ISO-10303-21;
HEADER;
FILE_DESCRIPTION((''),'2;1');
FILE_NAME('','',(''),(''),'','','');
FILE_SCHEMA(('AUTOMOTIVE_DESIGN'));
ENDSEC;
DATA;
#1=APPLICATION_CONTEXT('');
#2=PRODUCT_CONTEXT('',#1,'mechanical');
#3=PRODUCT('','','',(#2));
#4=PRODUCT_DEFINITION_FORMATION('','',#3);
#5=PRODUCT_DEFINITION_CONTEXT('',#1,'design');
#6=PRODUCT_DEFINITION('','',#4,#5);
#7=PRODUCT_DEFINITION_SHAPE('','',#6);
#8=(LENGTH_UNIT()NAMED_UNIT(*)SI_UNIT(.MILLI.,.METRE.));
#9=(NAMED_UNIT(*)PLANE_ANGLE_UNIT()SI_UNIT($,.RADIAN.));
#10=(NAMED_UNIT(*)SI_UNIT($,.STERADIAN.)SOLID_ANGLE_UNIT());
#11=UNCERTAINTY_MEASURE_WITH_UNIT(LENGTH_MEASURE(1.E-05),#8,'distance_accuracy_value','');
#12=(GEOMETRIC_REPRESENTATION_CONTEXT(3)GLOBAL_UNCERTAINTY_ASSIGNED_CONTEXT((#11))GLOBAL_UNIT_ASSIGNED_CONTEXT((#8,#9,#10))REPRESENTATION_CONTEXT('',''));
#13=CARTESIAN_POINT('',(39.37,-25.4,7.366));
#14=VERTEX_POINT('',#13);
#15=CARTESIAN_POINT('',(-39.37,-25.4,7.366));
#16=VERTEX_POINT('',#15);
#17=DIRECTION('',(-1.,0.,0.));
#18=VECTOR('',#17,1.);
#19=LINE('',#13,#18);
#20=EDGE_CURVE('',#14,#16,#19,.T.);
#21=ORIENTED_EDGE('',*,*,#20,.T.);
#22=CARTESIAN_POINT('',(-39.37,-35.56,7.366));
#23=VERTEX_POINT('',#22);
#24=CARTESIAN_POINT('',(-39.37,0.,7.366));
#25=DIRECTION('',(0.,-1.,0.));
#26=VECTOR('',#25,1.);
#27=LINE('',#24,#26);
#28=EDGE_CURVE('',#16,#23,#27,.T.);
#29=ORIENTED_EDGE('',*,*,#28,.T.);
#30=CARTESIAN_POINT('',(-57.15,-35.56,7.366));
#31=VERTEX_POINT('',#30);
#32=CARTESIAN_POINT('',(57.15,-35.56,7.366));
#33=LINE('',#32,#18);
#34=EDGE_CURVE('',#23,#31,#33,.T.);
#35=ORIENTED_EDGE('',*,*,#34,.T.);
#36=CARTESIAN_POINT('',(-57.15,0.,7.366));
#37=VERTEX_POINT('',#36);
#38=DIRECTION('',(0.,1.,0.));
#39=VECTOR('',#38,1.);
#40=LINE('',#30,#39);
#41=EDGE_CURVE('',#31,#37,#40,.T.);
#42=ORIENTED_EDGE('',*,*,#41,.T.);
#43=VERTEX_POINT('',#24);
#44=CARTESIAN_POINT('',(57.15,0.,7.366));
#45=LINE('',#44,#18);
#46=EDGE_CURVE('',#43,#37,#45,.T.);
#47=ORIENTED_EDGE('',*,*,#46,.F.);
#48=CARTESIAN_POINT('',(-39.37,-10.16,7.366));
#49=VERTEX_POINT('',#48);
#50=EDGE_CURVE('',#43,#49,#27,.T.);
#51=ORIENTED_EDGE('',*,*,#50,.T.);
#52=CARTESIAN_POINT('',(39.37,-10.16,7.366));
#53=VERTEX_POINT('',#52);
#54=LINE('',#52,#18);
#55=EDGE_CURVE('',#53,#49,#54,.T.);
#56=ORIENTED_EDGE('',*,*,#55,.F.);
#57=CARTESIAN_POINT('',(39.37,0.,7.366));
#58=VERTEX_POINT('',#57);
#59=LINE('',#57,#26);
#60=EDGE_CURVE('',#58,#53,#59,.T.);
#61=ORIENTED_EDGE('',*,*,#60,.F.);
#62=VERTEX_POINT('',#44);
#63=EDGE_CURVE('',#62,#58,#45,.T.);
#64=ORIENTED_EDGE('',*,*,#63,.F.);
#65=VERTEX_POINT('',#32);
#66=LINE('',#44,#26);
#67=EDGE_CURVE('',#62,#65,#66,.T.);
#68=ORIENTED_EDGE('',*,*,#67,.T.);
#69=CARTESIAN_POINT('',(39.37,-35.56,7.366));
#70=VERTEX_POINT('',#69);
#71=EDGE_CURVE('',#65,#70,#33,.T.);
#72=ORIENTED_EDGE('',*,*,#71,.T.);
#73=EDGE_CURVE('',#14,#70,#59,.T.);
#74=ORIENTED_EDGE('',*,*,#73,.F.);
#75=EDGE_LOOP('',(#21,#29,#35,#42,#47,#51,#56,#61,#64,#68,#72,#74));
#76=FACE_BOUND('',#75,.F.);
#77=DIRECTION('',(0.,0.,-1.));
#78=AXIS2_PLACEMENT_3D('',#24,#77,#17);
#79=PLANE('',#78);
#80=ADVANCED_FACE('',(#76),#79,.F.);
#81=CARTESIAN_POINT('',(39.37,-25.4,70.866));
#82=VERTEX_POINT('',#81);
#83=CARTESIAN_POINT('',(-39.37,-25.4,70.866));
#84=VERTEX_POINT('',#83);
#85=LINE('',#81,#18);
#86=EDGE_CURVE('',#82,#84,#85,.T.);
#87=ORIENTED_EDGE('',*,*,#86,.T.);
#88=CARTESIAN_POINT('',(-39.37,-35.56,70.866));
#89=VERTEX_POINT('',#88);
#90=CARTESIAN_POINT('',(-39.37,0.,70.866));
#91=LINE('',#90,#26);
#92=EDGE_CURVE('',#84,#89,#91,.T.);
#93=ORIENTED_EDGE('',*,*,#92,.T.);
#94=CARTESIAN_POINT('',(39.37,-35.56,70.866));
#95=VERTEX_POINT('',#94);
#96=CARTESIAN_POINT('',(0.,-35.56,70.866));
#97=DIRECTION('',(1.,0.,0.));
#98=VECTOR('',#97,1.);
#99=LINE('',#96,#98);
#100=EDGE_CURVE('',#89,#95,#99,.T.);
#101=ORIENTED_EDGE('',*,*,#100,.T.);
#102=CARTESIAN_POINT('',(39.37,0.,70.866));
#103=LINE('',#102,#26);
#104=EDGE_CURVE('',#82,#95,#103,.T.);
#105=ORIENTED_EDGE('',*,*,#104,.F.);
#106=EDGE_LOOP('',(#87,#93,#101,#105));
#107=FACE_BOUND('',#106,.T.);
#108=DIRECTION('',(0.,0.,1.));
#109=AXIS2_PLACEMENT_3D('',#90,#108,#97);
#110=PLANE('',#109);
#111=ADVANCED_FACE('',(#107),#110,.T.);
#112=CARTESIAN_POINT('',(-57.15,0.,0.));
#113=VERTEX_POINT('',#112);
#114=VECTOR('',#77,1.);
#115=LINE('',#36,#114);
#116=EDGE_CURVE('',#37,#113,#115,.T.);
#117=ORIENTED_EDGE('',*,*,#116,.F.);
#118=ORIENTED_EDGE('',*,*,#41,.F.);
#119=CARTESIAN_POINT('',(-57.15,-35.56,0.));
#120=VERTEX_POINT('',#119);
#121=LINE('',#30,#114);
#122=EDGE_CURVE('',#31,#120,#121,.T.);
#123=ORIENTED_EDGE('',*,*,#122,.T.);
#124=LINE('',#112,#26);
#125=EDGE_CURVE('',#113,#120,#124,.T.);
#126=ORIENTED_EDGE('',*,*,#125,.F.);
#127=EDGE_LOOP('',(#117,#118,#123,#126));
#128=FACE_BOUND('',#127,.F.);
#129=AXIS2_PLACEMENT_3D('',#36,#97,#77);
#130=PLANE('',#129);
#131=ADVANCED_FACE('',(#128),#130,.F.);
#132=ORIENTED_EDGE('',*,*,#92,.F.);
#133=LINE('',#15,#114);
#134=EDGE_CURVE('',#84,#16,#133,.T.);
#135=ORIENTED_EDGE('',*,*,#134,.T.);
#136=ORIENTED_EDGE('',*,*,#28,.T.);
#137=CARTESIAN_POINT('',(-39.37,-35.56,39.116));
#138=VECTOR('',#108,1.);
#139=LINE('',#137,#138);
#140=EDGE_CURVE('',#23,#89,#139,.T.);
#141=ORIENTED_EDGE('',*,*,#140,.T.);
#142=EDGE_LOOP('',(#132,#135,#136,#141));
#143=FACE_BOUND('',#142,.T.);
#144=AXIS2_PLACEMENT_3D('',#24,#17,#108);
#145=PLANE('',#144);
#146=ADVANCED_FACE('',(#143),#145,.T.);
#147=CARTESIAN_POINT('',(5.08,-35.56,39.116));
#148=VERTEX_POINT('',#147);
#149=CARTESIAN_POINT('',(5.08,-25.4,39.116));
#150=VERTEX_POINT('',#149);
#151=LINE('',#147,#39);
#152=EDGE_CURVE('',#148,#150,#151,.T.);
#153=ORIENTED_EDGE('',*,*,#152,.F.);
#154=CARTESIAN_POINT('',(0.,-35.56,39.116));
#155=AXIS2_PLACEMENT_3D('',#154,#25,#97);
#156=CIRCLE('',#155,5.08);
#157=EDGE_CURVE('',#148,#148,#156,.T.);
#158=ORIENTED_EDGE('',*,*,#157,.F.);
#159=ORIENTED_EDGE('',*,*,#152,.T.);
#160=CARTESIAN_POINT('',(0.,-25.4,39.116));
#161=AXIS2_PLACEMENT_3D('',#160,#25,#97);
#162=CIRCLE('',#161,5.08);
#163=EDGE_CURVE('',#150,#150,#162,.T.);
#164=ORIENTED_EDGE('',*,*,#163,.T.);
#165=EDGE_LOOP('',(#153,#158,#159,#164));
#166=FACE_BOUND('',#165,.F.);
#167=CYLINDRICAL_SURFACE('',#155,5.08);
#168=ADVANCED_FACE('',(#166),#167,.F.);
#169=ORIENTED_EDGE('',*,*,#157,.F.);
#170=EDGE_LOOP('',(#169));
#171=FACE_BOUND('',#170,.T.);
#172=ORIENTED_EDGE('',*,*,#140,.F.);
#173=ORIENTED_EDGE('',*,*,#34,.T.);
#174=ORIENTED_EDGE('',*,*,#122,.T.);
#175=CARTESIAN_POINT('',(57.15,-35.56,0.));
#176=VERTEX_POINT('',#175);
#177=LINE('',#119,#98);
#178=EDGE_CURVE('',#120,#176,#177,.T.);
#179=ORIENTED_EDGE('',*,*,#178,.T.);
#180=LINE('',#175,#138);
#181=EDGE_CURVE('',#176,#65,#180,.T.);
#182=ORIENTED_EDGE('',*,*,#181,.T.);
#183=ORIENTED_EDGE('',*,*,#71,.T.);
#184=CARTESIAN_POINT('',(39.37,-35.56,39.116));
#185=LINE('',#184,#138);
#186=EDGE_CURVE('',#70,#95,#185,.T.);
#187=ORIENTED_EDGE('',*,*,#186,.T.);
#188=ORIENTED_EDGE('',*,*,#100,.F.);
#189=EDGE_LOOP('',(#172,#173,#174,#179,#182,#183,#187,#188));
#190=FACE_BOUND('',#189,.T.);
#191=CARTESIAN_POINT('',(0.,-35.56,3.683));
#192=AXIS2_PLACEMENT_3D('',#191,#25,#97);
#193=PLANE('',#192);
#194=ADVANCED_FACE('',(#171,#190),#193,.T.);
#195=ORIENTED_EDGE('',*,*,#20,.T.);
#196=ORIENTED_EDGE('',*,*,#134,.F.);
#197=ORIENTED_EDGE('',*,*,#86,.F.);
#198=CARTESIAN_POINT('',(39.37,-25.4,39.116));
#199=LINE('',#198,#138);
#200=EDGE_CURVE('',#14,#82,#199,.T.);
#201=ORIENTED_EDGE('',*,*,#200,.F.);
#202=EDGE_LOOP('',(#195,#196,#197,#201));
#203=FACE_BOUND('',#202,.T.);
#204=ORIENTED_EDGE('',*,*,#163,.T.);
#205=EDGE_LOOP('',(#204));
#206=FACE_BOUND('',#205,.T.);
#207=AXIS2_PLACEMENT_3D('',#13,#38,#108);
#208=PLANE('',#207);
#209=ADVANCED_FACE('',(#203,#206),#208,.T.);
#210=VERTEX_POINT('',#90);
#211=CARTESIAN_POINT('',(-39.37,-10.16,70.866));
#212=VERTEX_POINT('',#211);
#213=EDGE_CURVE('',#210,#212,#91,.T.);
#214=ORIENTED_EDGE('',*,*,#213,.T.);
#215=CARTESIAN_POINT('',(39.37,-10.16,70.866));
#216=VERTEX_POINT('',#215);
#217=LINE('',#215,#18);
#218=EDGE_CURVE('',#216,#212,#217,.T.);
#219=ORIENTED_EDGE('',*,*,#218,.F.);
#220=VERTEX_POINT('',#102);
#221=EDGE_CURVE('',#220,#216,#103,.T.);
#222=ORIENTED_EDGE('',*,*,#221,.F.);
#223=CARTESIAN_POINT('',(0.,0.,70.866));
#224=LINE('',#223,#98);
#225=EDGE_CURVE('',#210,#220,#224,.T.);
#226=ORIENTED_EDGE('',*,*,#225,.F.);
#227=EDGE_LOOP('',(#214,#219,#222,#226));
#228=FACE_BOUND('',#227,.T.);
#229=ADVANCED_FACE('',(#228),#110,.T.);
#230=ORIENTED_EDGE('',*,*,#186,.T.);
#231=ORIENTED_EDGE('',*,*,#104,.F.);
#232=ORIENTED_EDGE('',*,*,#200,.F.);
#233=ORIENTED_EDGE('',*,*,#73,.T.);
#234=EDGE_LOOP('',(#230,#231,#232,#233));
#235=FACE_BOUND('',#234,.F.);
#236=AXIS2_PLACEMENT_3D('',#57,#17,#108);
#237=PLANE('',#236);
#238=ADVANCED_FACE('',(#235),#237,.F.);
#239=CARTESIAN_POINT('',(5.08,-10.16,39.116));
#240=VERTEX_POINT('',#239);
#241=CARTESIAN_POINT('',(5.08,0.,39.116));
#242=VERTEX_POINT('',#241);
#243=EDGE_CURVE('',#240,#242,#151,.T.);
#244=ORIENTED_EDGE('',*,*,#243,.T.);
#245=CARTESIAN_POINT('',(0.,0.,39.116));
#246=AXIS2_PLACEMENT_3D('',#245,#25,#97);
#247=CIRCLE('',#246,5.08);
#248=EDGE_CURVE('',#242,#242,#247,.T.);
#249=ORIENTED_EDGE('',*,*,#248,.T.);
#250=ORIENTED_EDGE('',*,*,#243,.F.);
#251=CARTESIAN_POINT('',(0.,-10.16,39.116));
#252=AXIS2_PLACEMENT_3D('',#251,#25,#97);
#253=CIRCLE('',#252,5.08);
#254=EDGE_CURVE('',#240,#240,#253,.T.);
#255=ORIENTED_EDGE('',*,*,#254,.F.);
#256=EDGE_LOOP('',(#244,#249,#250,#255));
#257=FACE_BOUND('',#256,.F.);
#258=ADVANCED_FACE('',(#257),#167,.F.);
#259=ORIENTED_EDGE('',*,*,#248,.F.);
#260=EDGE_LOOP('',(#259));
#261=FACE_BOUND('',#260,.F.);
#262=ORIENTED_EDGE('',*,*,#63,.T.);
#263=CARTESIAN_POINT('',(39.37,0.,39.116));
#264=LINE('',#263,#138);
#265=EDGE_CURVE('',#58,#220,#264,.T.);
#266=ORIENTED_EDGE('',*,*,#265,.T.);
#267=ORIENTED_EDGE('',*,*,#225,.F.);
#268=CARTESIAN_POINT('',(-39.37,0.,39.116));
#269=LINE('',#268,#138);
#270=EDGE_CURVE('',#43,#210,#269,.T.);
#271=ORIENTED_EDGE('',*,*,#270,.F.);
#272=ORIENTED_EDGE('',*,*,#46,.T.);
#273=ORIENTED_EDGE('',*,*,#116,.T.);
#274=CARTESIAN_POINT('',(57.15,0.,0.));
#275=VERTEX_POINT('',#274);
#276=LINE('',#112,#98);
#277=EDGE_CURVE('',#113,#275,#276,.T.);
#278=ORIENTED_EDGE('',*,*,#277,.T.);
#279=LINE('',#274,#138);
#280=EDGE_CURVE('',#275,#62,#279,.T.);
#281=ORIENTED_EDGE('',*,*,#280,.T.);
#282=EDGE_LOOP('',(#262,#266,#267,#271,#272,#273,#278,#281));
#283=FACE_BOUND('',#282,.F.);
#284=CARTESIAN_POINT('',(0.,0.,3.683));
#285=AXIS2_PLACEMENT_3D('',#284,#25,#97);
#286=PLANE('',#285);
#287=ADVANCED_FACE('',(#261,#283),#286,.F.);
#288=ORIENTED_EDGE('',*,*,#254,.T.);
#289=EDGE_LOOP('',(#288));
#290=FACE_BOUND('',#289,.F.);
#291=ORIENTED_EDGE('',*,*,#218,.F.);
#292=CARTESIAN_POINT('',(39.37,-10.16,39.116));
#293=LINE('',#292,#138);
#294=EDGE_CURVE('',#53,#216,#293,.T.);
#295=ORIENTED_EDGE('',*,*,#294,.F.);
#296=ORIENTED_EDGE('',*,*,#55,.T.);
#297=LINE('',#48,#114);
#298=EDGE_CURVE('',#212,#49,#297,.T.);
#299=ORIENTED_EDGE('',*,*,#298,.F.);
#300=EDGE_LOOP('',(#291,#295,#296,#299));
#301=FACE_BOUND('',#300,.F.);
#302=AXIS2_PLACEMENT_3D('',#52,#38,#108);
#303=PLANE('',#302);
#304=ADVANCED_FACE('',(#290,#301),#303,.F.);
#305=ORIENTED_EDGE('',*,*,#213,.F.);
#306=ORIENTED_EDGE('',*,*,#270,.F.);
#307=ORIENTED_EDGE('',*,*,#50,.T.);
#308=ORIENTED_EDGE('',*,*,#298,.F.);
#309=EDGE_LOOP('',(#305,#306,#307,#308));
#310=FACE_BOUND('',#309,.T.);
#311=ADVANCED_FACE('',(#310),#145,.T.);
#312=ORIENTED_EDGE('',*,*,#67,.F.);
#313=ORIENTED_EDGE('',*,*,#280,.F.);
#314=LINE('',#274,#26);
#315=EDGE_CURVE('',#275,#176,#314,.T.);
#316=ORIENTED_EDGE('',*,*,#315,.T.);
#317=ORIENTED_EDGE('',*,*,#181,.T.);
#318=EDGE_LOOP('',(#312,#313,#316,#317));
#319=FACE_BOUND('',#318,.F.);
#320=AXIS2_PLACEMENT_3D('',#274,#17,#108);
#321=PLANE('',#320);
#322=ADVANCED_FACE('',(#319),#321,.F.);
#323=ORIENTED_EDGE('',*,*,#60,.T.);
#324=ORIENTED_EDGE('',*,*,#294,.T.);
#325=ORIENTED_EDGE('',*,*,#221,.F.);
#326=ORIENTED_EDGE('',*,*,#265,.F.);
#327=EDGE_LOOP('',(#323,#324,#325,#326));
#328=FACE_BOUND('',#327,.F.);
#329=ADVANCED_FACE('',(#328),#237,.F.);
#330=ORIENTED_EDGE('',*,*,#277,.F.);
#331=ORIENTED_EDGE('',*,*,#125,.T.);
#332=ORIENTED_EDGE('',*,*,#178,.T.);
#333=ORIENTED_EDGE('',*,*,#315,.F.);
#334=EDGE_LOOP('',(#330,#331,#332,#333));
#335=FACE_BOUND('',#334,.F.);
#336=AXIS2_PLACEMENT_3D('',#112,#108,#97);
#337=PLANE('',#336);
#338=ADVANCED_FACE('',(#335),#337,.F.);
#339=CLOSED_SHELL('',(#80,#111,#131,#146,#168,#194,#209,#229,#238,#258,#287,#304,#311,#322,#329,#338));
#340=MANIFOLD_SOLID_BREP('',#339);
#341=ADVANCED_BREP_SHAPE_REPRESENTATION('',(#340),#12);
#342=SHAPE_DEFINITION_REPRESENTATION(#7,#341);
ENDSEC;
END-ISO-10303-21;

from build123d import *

# Parameters (mm, degrees)
F0_W     = 78.74
F0_H     = 63.5
F1_DEPTH = 35.56
F2_W     = 15.24
F2_H     = 63.5
F3_DEPTH = 127
F4_R     = 5.08
F5_DEPTH = 76.2


with BuildPart() as f1:
    # F0 (on Front) → F1 (new body)
    with BuildSketch(Plane.XZ):
        Polygon((-57.15, 7.366), (-57.15, 0), (57.15, 0), (57.15, 7.366), (39.37, 7.366), (-39.37, 7.366), align=None)
        with Locations((0, 39.116)):
            Rectangle(F0_W, F0_H)
    extrude(amount=F1_DEPTH)

    # F2 (on face) → F3 (cut)
    with BuildSketch(Plane.YZ.offset(39.37)):
        with Locations((-17.78, 39.116)):
            Rectangle(F2_W, F2_H)
    extrude(amount=-F3_DEPTH, mode=Mode.SUBTRACT)

    # F4 (on face) → F5 (cut)
    with BuildSketch(Plane.XZ.offset(35.56)):
        with Locations((0, 39.116)):
            Circle(F4_R)
    extrude(amount=-F5_DEPTH, mode=Mode.SUBTRACT)


solid = f1.part
